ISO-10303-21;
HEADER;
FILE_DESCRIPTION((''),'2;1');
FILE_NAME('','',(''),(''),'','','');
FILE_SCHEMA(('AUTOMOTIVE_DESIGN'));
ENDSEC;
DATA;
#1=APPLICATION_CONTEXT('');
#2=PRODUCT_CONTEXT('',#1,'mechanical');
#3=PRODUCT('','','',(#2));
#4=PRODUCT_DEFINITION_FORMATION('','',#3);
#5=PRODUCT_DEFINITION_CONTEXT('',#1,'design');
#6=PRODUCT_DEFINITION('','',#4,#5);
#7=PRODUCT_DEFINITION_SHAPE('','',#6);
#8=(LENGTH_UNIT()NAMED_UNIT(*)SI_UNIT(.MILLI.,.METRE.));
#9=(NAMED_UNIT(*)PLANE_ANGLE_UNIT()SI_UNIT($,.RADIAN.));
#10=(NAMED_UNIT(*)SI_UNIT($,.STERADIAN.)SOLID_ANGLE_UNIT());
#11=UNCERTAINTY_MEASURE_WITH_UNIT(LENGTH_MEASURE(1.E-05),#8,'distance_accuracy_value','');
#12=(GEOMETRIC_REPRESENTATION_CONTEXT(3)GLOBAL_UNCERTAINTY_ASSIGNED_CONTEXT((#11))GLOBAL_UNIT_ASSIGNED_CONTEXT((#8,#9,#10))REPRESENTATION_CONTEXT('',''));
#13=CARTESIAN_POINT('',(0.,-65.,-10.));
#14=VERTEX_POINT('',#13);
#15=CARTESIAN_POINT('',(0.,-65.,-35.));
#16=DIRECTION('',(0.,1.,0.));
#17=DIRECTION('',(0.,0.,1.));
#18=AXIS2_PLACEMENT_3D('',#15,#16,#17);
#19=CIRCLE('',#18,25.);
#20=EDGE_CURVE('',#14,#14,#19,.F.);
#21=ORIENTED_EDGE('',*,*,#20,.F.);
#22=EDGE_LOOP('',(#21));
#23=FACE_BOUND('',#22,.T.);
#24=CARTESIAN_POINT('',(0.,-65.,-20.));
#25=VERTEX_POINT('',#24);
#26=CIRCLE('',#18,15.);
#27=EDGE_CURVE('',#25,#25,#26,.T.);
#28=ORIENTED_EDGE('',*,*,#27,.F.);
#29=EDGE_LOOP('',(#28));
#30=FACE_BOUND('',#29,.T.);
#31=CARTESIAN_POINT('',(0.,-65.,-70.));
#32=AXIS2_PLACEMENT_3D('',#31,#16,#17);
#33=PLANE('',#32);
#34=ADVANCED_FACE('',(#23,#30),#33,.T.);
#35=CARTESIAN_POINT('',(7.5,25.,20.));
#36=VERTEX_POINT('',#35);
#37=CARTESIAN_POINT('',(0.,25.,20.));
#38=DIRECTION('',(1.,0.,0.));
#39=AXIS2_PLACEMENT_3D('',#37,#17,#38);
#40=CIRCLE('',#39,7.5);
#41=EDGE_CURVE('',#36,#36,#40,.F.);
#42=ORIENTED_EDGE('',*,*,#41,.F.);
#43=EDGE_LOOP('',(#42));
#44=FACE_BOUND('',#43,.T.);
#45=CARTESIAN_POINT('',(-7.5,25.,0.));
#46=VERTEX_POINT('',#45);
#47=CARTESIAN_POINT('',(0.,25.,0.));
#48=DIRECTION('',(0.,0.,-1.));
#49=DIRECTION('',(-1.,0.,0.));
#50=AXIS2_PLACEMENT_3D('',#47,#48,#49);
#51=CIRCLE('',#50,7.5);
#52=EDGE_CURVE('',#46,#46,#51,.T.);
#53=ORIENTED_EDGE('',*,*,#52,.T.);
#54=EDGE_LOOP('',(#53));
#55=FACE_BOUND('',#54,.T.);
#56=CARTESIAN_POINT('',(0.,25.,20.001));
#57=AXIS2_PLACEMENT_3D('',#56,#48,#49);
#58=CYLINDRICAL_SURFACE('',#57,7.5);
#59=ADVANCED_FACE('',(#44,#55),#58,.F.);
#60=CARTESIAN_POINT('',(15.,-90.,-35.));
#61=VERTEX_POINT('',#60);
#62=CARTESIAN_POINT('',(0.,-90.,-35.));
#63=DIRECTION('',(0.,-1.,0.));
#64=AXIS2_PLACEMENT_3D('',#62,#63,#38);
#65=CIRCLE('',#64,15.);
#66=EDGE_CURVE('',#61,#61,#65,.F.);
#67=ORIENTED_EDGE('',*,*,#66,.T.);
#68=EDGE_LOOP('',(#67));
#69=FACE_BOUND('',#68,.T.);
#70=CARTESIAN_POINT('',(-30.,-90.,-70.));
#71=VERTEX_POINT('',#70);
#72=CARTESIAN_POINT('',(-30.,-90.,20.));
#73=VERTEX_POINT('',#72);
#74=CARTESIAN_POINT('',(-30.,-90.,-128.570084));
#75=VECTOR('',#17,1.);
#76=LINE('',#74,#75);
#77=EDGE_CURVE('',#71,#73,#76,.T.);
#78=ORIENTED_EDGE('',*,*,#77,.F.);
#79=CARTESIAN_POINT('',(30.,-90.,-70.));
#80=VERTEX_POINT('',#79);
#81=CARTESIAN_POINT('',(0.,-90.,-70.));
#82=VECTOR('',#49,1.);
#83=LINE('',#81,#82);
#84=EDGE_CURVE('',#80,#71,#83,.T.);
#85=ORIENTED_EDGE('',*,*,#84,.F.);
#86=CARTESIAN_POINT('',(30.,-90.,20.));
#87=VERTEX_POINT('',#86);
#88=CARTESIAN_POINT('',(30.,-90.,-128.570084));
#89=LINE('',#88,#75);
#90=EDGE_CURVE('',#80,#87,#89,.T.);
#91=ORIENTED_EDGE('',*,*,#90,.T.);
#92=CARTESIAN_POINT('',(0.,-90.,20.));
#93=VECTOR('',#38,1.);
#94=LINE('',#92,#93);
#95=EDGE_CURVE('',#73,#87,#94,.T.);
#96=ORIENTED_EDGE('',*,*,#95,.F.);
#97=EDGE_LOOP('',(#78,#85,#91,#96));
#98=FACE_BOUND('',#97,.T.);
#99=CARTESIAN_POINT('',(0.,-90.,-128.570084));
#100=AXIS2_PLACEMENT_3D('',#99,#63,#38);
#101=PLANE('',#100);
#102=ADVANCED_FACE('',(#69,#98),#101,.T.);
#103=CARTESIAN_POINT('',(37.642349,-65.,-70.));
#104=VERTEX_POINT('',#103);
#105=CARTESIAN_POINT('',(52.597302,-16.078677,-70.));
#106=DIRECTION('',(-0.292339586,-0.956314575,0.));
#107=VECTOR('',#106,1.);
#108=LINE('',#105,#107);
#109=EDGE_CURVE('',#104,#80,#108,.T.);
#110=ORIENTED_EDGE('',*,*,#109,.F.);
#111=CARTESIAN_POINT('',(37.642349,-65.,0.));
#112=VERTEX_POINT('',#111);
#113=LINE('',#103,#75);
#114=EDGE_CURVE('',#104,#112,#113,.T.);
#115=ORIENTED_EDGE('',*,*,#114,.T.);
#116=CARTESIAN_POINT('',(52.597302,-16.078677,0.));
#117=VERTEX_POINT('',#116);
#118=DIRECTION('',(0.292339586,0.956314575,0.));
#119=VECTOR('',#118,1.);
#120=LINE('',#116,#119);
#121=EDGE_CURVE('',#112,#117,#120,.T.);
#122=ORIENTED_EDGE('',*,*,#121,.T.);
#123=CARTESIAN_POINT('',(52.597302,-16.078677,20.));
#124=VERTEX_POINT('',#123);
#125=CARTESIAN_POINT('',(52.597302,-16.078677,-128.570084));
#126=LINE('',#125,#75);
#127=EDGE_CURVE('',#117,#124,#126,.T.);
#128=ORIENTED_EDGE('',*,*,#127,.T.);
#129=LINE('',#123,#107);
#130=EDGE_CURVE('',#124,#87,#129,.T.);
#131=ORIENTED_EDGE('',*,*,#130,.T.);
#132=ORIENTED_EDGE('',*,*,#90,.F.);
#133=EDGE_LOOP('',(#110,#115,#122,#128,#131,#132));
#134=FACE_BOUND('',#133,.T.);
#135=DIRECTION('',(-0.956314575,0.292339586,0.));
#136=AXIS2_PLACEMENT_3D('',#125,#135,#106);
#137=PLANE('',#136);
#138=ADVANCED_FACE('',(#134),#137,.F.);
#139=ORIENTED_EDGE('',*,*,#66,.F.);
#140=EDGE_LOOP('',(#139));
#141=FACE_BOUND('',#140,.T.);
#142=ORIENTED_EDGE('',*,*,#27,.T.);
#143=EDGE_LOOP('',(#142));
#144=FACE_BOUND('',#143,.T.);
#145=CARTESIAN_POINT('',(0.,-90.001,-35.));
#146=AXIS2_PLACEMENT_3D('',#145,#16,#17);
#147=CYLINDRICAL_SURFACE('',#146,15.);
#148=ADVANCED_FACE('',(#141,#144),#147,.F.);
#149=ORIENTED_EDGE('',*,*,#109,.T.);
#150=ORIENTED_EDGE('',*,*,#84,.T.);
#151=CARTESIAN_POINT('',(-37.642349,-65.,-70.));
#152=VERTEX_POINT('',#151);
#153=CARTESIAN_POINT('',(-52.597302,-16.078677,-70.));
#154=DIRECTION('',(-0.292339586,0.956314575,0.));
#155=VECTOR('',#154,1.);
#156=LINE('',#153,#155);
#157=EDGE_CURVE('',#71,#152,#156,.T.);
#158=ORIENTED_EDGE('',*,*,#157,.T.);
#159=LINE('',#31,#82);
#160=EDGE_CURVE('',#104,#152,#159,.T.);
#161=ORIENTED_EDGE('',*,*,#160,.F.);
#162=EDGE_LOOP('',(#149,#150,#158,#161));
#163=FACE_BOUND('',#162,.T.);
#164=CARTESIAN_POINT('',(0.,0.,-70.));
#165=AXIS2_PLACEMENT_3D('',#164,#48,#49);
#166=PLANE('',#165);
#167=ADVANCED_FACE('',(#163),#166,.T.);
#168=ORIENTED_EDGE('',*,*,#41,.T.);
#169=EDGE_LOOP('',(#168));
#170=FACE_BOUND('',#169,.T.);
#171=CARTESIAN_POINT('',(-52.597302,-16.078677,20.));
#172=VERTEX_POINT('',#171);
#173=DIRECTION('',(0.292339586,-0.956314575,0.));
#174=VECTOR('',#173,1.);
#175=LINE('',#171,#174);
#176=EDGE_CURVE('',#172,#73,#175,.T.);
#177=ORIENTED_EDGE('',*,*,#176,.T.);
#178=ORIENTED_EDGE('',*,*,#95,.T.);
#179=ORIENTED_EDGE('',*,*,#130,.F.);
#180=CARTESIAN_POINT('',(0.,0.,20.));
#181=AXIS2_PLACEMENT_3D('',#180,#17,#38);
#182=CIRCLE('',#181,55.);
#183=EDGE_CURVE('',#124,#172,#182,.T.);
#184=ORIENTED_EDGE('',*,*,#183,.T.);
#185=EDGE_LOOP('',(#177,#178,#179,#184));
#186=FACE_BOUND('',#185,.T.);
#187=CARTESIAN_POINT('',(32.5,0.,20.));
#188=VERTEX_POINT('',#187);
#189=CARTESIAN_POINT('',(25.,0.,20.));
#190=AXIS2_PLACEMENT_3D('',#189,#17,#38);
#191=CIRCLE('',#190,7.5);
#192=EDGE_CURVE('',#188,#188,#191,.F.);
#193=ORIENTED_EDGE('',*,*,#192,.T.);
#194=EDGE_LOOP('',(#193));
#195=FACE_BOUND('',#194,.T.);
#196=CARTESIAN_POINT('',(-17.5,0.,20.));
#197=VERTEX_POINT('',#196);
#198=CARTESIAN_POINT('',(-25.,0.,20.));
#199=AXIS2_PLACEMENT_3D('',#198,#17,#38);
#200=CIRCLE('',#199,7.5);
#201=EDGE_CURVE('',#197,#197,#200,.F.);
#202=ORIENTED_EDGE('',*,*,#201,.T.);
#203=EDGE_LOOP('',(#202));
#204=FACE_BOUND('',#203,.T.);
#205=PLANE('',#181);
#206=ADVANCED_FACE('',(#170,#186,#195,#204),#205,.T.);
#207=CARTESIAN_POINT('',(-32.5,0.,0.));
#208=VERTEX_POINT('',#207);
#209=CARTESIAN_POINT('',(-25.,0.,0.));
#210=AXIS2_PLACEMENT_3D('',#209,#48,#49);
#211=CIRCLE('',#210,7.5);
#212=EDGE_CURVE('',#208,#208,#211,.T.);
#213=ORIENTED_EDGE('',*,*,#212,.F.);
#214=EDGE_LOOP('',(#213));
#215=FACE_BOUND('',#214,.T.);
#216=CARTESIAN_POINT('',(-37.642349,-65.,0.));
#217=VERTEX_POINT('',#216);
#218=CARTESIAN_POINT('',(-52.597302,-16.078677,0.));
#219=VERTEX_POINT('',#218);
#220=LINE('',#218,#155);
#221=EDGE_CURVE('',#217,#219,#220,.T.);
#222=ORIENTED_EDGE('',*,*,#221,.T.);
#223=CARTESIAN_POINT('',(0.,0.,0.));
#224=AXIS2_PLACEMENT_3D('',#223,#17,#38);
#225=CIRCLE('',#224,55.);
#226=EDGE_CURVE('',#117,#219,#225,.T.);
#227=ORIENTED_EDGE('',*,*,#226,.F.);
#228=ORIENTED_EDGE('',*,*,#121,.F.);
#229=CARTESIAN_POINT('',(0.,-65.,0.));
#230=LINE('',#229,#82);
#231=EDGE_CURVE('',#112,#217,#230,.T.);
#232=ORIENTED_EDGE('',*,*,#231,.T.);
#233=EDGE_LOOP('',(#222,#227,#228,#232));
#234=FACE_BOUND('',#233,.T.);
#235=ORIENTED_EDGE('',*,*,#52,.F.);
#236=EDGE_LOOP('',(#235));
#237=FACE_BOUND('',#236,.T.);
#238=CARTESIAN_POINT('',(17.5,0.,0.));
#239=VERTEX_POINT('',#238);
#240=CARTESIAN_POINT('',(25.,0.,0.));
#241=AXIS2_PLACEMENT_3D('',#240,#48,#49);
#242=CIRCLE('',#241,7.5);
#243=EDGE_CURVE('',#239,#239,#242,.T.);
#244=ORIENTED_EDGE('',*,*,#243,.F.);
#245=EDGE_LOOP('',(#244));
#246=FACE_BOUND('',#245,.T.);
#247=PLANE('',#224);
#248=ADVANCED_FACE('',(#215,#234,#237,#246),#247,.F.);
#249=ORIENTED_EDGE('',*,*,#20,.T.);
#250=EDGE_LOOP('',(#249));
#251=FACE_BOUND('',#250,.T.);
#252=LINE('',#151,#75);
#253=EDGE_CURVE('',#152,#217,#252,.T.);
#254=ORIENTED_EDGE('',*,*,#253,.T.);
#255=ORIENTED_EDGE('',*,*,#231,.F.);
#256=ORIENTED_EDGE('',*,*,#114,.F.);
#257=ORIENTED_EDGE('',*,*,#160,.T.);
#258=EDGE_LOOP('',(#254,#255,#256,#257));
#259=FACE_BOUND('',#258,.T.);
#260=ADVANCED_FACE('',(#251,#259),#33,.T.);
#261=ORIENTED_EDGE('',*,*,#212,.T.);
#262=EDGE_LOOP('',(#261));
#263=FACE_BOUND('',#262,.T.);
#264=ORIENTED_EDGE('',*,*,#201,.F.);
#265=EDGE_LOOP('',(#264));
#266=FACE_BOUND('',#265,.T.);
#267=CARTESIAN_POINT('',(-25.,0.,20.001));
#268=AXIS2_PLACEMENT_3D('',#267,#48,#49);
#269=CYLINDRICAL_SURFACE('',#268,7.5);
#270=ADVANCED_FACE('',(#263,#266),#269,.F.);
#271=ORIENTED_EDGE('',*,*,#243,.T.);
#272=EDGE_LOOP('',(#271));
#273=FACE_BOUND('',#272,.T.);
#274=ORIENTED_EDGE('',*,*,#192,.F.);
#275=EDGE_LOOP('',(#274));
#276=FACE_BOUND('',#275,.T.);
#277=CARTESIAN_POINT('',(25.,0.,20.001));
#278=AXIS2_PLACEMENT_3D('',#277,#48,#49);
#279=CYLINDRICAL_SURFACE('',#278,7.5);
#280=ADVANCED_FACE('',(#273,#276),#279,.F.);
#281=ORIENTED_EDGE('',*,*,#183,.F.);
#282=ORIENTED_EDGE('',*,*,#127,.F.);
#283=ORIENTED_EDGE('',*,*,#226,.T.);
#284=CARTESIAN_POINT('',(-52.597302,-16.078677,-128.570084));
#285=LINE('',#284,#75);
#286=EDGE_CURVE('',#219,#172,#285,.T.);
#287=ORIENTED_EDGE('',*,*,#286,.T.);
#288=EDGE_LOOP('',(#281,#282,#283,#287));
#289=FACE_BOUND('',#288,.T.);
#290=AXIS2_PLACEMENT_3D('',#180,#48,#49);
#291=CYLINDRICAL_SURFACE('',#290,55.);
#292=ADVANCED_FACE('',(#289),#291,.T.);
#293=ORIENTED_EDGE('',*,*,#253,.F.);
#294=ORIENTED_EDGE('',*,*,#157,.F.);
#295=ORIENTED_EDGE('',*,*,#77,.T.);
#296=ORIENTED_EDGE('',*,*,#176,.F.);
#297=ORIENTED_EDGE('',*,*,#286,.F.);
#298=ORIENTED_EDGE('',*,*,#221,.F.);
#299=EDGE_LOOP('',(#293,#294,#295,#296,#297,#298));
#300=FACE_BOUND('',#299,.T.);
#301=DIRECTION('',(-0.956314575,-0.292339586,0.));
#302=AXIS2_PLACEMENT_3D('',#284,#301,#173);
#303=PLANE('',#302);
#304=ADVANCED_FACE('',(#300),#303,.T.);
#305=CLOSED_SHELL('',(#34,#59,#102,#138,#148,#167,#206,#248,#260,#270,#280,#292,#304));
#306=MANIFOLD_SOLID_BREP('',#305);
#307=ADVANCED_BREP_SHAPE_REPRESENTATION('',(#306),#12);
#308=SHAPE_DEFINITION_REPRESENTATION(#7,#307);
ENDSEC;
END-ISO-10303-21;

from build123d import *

# Parameters (mm, degrees)
SKETCH1_R           = 55
BOSS_EXTRUDE1_DEPTH = 20
BOSS_EXTRUDE2_DEPTH = 20
CUT_EXTRUDE2_REACH  = 22
SKETCH4_R           = 7.5
BOSS_EXTRUDE3_DEPTH = 70
CUT_EXTRUDE3_REACH  = 27
SKETCH6_R           = 15


with BuildPart() as part:
    # Sketch1 → Boss-Extrude1 (new body)
    with BuildSketch(Plane.XY):
        Circle(SKETCH1_R)
    extrude(amount=BOSS_EXTRUDE1_DEPTH)

    # Sketch2 → Boss-Extrude2 (add)
    with BuildSketch(Plane.XY.offset(20)):
        with BuildLine():
            ThreePointArc((52.597301626, -16.078677236), (0, -55), (-52.597301626, -16.078677236))
            Line((-52.597301626, -16.078677236), (-30, -90))
            Line((-30, -90), (30, -90))
            Line((30, -90), (52.597301626, -16.078677236))
        make_face()
    extrude(amount=-BOSS_EXTRUDE2_DEPTH)

    # Sketch4 → Cut-Extrude2 (cut, up to next)
    with BuildSketch(Plane(origin=(0, 0, 0), x_dir=(-1, 0, 0), z_dir=(0, 0, -1)), mode=Mode.PRIVATE) as cut_extrude2_sk1:
        with Locations((0, 25)):
            Circle(SKETCH4_R)
    cut_extrude2_tool1 = extrude(cut_extrude2_sk1.sketch, amount=-CUT_EXTRUDE2_REACH, mode=Mode.PRIVATE) & part.part
    add(cut_extrude2_tool1.solids().sort_by_distance((0, 25, 0))[0], mode=Mode.SUBTRACT)
    # Sketch4 → Cut-Extrude2 (cut, up to next)
    with BuildSketch(Plane(origin=(0, 0, 0), x_dir=(-1, 0, 0), z_dir=(0, 0, -1)), mode=Mode.PRIVATE) as cut_extrude2_sk2:
        with Locations((-25, 0)):
            Circle(SKETCH4_R)
    cut_extrude2_tool2 = extrude(cut_extrude2_sk2.sketch, amount=-CUT_EXTRUDE2_REACH, mode=Mode.PRIVATE) & part.part
    add(cut_extrude2_tool2.solids().sort_by_distance((25, 0, 0))[0], mode=Mode.SUBTRACT)
    # Sketch4 → Cut-Extrude2 (cut, up to next)
    with BuildSketch(Plane(origin=(0, 0, 0), x_dir=(-1, 0, 0), z_dir=(0, 0, -1)), mode=Mode.PRIVATE) as cut_extrude2_sk3:
        with Locations((25, 0)):
            Circle(SKETCH4_R)
    cut_extrude2_tool3 = extrude(cut_extrude2_sk3.sketch, amount=-CUT_EXTRUDE2_REACH, mode=Mode.PRIVATE) & part.part
    add(cut_extrude2_tool3.solids().sort_by_distance((-25, 0, 0))[0], mode=Mode.SUBTRACT)

    # Sketch5 → Boss-Extrude3 (add)
    with BuildSketch(Plane(origin=(0, 0, 0), x_dir=(-1, 0, 0), z_dir=(0, 0, -1))):
        Polygon((37.642348913, -65), (-37.642348913, -65), (-30, -90), (30, -90), align=None)
    extrude(amount=BOSS_EXTRUDE3_DEPTH)

    # Sketch6 → Cut-Extrude3 (cut, up to next)
    with BuildSketch(Plane(origin=(0, -65, 0), x_dir=(1, 0, 0), z_dir=(0, 1, 0)), mode=Mode.PRIVATE) as cut_extrude3_sk1:
        with Locations((0, 35)):
            Circle(SKETCH6_R)
    cut_extrude3_tool1 = extrude(cut_extrude3_sk1.sketch, amount=-CUT_EXTRUDE3_REACH, mode=Mode.PRIVATE) & part.part
    add(cut_extrude3_tool1.solids().sort_by_distance((0, -65, -35))[0], mode=Mode.SUBTRACT)


solid = part.part
